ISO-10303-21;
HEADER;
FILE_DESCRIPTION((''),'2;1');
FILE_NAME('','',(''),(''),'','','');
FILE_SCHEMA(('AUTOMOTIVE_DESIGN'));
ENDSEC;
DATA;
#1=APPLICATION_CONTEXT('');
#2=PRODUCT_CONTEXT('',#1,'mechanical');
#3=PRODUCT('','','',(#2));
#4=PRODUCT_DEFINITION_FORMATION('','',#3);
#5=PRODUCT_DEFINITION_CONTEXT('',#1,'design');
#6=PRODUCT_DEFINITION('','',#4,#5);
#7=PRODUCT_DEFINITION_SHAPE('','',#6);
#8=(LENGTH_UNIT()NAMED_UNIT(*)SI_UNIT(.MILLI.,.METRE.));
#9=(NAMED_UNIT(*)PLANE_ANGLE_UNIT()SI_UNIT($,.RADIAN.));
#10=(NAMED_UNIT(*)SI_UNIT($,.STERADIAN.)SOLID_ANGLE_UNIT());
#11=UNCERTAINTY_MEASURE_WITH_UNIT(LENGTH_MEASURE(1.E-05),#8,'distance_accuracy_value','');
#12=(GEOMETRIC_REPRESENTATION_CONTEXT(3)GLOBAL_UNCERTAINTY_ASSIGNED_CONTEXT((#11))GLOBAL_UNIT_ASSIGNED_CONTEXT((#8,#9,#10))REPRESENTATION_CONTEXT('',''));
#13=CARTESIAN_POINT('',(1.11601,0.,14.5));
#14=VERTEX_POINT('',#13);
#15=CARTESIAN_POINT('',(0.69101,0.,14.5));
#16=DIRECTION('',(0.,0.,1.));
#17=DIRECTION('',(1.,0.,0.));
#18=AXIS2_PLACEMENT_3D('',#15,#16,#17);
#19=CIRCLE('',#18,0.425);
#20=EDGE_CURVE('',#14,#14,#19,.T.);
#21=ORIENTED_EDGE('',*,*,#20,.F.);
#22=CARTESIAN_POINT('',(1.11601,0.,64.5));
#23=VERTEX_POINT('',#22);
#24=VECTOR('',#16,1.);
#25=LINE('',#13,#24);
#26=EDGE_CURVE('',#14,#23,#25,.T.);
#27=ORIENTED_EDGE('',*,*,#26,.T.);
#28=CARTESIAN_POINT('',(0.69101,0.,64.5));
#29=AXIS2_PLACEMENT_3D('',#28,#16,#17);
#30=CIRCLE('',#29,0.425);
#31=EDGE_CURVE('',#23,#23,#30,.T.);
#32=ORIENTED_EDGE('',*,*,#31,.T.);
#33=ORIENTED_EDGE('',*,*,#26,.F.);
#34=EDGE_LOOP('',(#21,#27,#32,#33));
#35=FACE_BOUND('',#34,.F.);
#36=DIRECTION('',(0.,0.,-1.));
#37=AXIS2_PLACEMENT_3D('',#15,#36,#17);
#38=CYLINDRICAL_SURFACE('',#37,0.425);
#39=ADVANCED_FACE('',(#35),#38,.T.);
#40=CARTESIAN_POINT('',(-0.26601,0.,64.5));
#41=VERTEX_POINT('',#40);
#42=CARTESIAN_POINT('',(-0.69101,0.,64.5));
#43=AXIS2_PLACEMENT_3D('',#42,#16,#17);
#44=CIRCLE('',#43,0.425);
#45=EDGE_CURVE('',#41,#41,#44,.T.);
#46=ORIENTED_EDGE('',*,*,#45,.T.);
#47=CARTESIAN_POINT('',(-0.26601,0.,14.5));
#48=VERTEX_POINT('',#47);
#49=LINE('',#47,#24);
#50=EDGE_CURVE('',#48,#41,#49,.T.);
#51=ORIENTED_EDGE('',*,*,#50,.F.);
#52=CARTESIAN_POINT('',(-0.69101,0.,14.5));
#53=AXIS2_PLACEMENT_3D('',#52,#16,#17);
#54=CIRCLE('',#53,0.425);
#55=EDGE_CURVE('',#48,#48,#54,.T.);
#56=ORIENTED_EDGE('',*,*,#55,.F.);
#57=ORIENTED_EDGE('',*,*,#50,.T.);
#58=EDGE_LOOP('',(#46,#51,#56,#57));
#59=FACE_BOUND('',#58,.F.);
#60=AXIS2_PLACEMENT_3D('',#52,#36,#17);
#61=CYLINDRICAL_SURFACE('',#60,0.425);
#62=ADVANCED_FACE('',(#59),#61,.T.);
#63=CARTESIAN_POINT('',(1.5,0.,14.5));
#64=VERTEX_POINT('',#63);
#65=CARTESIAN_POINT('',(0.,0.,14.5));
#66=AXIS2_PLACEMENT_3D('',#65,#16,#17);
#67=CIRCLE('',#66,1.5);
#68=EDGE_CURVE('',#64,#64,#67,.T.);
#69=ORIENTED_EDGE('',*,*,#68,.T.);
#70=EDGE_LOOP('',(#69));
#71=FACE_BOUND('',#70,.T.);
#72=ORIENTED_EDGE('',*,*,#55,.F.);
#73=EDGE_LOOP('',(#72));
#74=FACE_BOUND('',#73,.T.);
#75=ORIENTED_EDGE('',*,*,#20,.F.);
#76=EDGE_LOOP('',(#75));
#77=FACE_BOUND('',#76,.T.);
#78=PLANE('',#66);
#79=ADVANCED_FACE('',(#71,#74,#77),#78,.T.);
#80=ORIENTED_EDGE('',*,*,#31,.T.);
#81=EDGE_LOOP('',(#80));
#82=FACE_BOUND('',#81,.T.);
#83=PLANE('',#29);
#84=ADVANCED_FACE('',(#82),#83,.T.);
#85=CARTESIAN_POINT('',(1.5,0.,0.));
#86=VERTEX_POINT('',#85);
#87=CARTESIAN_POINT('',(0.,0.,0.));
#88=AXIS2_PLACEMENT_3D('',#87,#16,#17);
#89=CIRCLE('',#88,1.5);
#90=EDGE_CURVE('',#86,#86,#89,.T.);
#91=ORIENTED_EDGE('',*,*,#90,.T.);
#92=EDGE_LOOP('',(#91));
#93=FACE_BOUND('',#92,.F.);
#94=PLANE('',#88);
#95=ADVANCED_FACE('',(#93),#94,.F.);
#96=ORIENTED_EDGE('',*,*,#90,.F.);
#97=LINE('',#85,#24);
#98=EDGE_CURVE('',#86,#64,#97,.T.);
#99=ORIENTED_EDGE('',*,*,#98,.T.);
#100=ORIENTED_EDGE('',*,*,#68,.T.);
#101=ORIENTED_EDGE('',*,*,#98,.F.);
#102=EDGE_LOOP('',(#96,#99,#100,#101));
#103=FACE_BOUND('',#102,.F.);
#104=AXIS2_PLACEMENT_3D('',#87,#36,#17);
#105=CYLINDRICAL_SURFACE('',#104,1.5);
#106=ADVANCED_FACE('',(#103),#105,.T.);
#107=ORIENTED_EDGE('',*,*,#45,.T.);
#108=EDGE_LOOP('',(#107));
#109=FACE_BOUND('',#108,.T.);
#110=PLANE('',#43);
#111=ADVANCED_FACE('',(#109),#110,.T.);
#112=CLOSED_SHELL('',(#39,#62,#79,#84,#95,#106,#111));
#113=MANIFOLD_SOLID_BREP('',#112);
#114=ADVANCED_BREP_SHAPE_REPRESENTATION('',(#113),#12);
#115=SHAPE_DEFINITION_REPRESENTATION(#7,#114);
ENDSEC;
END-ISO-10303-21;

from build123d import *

# Parameters (mm, degrees)
SKETCH_R     = 1.5
PAD_DEPTH    = 14.5
SKETCH001_R  = 0.425
PAD001_DEPTH = 50


with BuildPart() as part:
    # Sketch → Pad (new body)
    with BuildSketch(Plane.XY):
        Circle(SKETCH_R)
    extrude(amount=PAD_DEPTH)

    # Sketch001 (on Face3 of Pad) → Pad001 (join)
    with BuildSketch(Plane.XY.offset(14.5)):
        with Locations((-0.69101, 0)):
            Circle(SKETCH001_R)
        with Locations((0.69101, 0)):
            Circle(SKETCH001_R)
    extrude(amount=PAD001_DEPTH)


solid = part.part
